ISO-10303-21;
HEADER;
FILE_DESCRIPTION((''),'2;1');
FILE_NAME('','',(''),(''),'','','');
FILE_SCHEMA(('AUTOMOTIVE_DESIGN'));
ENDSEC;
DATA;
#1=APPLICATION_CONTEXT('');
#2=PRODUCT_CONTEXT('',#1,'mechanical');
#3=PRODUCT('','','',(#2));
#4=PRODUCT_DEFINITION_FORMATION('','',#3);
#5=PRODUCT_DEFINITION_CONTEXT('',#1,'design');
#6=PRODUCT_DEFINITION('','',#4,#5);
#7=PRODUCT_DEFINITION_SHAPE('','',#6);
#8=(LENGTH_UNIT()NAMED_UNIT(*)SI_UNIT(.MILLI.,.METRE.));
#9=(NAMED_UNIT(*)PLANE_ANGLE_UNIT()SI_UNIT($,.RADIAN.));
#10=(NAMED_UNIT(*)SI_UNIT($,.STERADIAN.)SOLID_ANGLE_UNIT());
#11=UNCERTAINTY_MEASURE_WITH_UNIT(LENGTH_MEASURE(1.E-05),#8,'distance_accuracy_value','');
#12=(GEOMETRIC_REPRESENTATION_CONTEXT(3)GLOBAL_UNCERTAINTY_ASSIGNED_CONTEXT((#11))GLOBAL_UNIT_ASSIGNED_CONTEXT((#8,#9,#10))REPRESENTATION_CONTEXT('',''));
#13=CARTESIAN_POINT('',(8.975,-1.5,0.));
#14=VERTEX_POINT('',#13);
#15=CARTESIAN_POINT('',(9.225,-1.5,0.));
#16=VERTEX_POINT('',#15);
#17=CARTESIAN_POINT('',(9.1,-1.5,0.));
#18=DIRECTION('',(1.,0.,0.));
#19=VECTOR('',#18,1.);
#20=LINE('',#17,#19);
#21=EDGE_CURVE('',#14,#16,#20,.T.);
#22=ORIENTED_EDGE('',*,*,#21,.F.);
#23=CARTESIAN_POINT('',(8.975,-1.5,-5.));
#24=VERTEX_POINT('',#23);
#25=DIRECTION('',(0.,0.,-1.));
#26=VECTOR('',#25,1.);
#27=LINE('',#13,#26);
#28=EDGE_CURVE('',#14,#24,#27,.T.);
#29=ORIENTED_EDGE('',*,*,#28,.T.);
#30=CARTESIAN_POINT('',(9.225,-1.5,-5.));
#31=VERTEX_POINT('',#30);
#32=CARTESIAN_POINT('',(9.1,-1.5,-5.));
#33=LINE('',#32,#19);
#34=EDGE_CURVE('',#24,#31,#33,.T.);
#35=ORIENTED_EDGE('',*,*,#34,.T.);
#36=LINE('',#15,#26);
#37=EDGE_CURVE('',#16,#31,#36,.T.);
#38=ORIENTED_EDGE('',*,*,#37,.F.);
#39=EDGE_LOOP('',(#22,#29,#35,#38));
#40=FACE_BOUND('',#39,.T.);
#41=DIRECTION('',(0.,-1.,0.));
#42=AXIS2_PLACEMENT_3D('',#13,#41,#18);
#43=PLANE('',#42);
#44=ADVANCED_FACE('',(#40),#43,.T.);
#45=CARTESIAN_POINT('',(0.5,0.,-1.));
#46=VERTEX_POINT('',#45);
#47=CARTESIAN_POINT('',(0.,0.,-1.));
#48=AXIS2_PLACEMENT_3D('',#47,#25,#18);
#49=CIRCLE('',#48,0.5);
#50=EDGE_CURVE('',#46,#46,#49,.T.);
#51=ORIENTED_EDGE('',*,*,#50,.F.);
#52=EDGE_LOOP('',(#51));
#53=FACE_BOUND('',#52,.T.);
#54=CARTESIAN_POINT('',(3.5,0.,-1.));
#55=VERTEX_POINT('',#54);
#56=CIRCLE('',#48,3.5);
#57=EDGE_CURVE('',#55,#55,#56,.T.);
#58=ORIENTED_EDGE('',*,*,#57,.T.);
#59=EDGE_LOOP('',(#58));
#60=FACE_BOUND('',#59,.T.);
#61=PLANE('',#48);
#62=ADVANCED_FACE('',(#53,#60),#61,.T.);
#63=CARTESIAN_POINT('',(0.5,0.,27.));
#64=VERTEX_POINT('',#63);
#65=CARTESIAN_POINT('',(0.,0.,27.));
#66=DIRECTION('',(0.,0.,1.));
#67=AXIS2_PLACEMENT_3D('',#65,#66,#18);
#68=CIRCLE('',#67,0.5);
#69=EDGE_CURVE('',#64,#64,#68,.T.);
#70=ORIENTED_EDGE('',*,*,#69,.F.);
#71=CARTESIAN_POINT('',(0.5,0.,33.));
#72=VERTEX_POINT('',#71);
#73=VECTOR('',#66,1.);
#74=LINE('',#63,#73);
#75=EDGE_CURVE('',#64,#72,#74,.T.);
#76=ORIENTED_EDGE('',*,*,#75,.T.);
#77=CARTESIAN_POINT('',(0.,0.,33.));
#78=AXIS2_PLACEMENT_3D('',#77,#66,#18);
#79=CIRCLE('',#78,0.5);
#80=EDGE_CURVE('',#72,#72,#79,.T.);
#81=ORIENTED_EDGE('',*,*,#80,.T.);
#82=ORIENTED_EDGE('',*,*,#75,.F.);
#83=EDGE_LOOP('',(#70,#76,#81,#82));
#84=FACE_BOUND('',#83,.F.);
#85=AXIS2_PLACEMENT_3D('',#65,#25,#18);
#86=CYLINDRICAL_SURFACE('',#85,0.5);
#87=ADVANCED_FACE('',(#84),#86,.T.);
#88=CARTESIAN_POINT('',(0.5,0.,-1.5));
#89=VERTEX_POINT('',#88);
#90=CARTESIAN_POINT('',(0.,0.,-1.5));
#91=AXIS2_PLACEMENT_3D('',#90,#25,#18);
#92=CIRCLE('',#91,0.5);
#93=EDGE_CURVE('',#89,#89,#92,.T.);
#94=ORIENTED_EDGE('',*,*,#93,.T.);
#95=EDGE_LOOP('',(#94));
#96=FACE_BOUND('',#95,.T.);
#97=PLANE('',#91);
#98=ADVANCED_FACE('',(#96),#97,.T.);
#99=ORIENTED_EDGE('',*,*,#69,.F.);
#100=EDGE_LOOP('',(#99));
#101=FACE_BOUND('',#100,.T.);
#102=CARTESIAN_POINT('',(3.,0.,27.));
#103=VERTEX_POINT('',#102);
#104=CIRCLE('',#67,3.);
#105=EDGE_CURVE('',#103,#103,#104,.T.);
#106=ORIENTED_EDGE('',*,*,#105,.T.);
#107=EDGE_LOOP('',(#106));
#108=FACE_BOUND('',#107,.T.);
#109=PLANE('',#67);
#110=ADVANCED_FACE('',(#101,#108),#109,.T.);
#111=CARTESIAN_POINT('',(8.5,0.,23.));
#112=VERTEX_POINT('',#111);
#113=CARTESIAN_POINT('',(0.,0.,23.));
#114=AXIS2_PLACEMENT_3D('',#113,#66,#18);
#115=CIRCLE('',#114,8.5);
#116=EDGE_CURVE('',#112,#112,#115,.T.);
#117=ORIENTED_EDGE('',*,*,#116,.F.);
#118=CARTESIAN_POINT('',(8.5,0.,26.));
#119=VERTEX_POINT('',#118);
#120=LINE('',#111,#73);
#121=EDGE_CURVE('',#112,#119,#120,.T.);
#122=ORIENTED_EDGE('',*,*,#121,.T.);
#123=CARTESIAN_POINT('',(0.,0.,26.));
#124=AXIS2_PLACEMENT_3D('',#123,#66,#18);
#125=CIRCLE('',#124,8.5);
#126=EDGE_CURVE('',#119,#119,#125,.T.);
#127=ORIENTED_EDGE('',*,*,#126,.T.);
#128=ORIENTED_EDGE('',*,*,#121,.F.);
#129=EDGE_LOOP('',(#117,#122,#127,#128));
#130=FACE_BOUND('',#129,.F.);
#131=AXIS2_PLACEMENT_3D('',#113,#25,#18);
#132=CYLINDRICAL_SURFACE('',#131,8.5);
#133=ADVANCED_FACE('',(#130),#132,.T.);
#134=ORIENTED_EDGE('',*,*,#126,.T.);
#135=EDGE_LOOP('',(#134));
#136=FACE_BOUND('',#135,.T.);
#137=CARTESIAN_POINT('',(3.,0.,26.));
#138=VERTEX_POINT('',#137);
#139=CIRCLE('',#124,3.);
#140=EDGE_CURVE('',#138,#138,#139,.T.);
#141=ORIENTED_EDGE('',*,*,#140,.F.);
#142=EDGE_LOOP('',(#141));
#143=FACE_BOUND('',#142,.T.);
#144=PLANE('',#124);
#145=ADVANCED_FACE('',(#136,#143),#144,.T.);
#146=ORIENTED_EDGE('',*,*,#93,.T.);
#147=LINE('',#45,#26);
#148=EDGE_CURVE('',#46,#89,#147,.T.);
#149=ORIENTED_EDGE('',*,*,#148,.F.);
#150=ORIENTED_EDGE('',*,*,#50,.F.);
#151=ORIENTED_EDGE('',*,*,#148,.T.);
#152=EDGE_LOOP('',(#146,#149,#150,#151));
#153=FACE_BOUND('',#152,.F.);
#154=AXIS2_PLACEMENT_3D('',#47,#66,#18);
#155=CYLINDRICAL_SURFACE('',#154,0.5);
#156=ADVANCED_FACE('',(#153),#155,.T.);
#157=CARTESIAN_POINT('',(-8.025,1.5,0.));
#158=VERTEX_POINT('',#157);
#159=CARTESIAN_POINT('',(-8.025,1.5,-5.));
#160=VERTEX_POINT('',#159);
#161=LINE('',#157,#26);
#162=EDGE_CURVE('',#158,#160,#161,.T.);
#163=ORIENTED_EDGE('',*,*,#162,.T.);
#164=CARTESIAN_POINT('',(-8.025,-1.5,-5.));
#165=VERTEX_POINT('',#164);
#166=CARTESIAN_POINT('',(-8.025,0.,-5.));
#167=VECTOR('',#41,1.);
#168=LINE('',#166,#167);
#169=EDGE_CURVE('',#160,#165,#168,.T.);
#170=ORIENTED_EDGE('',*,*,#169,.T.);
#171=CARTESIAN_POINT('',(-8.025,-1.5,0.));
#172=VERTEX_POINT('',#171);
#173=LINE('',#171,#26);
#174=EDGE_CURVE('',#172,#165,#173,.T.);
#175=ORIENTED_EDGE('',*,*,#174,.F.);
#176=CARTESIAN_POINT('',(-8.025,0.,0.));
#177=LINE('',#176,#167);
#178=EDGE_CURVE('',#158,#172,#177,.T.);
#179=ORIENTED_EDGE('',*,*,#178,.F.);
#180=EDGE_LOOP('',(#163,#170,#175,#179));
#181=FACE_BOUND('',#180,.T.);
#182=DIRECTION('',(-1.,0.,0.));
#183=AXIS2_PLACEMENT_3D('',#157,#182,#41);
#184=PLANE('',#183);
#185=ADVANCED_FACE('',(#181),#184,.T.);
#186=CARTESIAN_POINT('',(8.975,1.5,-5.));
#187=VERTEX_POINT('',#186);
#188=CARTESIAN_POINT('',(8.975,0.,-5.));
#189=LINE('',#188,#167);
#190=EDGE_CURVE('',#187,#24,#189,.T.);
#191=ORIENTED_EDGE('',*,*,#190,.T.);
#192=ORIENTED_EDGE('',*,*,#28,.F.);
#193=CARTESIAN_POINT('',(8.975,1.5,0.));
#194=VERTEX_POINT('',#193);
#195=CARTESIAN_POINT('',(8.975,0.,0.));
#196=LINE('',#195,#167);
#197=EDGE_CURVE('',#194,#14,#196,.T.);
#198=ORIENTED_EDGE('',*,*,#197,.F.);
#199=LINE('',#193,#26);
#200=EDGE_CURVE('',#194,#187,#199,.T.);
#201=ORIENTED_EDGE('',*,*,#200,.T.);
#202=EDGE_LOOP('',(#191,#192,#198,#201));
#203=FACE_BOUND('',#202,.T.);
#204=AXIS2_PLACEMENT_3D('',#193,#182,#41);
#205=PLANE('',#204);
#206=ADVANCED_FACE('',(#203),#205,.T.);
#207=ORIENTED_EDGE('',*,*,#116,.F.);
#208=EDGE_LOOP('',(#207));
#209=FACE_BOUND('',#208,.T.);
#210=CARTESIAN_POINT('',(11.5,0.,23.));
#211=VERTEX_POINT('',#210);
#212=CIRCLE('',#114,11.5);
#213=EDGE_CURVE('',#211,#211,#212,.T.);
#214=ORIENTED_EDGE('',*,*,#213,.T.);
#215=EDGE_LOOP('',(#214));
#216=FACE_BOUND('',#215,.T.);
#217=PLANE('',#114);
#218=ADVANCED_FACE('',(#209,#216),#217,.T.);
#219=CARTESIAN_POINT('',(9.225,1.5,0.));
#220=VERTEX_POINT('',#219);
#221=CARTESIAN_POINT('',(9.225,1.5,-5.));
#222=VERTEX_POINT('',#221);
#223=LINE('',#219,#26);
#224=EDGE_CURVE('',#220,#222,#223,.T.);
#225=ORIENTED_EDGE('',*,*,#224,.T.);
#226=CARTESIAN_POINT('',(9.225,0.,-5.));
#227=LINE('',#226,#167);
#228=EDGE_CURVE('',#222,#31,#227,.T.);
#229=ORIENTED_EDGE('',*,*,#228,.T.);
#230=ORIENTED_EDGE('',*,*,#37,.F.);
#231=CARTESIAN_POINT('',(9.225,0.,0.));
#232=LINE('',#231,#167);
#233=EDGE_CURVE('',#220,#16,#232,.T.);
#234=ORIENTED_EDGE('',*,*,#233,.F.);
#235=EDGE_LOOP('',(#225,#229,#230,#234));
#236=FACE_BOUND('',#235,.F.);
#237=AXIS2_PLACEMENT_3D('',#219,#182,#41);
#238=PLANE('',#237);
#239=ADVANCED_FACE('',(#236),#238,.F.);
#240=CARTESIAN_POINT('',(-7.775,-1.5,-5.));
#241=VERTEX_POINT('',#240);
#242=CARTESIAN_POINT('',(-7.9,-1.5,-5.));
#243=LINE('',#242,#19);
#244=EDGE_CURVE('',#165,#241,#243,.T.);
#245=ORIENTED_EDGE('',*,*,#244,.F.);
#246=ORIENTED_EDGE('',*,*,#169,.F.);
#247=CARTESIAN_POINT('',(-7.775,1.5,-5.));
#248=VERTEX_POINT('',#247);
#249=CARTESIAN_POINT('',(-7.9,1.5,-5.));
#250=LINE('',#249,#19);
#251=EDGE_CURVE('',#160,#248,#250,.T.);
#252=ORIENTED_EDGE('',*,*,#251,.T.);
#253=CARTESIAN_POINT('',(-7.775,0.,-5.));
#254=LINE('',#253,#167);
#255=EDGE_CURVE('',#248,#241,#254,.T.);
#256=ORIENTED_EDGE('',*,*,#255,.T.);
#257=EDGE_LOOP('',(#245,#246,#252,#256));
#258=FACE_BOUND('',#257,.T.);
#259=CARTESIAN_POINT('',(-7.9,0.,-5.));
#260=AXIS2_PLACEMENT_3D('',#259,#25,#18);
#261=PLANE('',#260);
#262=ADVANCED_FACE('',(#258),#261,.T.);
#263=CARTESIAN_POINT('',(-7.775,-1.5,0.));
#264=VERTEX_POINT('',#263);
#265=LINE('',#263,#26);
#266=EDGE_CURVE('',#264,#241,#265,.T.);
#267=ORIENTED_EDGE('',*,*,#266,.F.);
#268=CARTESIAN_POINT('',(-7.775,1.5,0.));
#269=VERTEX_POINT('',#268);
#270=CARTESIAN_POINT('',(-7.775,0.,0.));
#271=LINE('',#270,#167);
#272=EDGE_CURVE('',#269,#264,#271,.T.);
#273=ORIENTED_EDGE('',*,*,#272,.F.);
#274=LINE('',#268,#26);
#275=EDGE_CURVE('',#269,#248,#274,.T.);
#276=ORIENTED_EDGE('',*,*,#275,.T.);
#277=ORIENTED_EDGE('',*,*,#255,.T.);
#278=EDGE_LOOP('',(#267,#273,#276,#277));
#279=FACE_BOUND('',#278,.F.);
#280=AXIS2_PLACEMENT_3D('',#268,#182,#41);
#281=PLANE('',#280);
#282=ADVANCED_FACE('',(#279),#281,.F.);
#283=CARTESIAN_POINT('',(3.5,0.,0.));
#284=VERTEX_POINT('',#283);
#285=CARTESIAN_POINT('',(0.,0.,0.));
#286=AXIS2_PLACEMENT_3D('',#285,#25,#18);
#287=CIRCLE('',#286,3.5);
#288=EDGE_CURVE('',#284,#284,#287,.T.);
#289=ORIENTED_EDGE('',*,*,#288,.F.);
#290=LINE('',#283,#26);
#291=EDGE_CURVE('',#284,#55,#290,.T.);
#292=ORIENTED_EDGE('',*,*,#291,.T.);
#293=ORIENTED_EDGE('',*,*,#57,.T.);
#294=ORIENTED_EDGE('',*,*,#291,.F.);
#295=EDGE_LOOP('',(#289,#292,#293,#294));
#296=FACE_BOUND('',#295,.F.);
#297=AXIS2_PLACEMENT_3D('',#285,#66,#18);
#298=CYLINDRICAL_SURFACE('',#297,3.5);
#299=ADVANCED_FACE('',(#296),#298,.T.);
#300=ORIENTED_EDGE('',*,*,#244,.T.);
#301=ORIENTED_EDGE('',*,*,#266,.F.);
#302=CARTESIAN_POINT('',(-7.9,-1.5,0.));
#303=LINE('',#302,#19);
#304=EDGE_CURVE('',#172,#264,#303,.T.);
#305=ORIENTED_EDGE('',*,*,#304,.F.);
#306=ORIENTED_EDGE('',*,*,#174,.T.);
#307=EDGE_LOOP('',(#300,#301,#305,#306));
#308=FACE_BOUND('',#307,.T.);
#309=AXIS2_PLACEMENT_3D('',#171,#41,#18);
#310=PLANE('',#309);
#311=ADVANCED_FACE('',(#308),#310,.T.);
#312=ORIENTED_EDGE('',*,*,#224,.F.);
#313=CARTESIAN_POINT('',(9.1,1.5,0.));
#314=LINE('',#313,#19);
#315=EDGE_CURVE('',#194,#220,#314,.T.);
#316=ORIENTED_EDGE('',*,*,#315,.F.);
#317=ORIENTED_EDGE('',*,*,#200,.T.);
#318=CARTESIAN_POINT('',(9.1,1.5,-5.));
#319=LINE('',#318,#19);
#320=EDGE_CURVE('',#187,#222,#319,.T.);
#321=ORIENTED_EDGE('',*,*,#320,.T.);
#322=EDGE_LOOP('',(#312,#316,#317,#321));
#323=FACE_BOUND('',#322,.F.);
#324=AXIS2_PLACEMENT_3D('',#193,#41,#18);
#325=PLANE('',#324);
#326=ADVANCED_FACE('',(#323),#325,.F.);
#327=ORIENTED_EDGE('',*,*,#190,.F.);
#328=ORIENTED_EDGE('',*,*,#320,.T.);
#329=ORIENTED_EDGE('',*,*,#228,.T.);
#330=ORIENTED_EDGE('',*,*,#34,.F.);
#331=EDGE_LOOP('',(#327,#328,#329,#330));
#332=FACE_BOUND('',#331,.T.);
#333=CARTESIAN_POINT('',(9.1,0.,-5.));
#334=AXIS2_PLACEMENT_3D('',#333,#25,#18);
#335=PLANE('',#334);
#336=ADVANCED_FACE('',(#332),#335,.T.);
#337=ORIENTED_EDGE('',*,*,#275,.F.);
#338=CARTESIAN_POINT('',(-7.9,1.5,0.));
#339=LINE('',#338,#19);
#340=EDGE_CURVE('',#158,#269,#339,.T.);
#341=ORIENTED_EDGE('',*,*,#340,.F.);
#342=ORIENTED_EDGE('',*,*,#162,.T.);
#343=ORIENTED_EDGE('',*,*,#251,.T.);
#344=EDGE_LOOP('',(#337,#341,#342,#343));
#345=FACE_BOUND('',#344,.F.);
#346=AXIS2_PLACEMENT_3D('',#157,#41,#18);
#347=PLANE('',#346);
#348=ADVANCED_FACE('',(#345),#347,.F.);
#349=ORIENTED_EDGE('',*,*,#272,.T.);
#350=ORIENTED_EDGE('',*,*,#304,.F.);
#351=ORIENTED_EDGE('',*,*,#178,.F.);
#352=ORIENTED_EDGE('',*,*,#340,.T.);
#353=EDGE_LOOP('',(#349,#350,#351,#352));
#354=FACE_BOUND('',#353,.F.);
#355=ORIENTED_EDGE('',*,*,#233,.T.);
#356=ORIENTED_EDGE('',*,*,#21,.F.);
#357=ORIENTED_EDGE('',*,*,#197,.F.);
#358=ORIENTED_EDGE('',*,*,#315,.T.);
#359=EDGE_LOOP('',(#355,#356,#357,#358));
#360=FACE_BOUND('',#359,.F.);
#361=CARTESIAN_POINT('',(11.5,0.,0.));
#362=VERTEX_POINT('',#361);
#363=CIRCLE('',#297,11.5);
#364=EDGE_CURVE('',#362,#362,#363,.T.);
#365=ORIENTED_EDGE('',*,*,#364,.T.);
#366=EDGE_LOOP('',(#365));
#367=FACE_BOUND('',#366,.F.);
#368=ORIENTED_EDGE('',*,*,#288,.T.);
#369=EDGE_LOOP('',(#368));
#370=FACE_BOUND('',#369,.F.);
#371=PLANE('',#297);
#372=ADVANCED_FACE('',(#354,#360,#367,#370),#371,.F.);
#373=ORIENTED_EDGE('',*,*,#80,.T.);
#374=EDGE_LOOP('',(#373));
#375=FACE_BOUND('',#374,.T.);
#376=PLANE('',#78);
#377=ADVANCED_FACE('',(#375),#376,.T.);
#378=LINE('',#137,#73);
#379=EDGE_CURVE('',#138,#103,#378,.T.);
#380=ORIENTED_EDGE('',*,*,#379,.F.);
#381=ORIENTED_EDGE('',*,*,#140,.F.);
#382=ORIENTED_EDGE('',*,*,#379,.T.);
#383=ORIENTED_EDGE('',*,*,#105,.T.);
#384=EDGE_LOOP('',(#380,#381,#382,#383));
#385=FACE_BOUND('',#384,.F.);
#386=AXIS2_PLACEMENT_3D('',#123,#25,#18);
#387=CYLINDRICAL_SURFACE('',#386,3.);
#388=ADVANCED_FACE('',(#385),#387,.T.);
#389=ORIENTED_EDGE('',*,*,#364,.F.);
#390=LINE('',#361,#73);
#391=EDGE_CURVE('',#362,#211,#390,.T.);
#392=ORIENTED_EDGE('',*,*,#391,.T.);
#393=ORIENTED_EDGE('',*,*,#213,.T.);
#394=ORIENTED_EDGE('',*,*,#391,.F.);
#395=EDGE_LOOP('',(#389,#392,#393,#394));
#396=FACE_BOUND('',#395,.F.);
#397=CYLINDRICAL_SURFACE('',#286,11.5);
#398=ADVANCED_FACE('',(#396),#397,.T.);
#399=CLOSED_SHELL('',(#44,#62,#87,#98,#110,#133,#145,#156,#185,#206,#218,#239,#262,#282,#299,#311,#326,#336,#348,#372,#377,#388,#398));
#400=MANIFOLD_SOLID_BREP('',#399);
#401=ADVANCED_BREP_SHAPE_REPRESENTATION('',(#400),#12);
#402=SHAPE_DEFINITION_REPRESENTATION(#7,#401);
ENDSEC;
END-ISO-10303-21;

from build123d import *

# Parameters (mm, degrees)
F0_R      = 11.5
F1_DEPTH  = 23
F2_R      = 8.5
F3_DEPTH  = 3
F4_R      = 3
F5_DEPTH  = 1
F6_R      = 0.5
F7_DEPTH  = 6
F8_R      = 3.5
F9_DEPTH  = 1
F10_R     = 0.5
F11_DEPTH = 0.5
F12_W     = 0.25
F12_H     = 3
F13_DEPTH = 5


with BuildPart() as f1:
    # F0 (on Top) → F1 (new body)
    with BuildSketch(Plane.XY):
        Circle(F0_R)
    extrude(amount=F1_DEPTH)

    # F2 (on face) → F3 (join)
    with BuildSketch(Plane.XY.offset(23)):
        Circle(F2_R)
    extrude(amount=F3_DEPTH)

    # F4 (on face) → F5 (join)
    with BuildSketch(Plane.XY.offset(26)):
        Circle(F4_R)
    extrude(amount=F5_DEPTH)

    # F6 (on face) → F7 (join)
    with BuildSketch(Plane.XY.offset(27)):
        Circle(F6_R)
    extrude(amount=F7_DEPTH)

    # F8 (on face) → F9 (join)
    with BuildSketch(Plane(origin=(0, 0, 0), x_dir=(1, 0, 0), z_dir=(0, 0, -1))):
        Circle(F8_R)
    extrude(amount=F9_DEPTH)

    # F10 (on face) → F11 (join)
    with BuildSketch(Plane(origin=(0, 0, -1), x_dir=(1, 0, 0), z_dir=(0, 0, -1))):
        Circle(F10_R)
    extrude(amount=F11_DEPTH)

    # F12 (on face) → F13 (join)
    with BuildSketch(Plane(origin=(0, 0, 0), x_dir=(1, 0, 0), z_dir=(0, 0, -1))):
        with Locations((-7.9, 0)):
            Rectangle(F12_W, F12_H)
        with Locations((9.1, 0)):
            Rectangle(F12_W, F12_H)
    extrude(amount=F13_DEPTH)


solid = f1.part
